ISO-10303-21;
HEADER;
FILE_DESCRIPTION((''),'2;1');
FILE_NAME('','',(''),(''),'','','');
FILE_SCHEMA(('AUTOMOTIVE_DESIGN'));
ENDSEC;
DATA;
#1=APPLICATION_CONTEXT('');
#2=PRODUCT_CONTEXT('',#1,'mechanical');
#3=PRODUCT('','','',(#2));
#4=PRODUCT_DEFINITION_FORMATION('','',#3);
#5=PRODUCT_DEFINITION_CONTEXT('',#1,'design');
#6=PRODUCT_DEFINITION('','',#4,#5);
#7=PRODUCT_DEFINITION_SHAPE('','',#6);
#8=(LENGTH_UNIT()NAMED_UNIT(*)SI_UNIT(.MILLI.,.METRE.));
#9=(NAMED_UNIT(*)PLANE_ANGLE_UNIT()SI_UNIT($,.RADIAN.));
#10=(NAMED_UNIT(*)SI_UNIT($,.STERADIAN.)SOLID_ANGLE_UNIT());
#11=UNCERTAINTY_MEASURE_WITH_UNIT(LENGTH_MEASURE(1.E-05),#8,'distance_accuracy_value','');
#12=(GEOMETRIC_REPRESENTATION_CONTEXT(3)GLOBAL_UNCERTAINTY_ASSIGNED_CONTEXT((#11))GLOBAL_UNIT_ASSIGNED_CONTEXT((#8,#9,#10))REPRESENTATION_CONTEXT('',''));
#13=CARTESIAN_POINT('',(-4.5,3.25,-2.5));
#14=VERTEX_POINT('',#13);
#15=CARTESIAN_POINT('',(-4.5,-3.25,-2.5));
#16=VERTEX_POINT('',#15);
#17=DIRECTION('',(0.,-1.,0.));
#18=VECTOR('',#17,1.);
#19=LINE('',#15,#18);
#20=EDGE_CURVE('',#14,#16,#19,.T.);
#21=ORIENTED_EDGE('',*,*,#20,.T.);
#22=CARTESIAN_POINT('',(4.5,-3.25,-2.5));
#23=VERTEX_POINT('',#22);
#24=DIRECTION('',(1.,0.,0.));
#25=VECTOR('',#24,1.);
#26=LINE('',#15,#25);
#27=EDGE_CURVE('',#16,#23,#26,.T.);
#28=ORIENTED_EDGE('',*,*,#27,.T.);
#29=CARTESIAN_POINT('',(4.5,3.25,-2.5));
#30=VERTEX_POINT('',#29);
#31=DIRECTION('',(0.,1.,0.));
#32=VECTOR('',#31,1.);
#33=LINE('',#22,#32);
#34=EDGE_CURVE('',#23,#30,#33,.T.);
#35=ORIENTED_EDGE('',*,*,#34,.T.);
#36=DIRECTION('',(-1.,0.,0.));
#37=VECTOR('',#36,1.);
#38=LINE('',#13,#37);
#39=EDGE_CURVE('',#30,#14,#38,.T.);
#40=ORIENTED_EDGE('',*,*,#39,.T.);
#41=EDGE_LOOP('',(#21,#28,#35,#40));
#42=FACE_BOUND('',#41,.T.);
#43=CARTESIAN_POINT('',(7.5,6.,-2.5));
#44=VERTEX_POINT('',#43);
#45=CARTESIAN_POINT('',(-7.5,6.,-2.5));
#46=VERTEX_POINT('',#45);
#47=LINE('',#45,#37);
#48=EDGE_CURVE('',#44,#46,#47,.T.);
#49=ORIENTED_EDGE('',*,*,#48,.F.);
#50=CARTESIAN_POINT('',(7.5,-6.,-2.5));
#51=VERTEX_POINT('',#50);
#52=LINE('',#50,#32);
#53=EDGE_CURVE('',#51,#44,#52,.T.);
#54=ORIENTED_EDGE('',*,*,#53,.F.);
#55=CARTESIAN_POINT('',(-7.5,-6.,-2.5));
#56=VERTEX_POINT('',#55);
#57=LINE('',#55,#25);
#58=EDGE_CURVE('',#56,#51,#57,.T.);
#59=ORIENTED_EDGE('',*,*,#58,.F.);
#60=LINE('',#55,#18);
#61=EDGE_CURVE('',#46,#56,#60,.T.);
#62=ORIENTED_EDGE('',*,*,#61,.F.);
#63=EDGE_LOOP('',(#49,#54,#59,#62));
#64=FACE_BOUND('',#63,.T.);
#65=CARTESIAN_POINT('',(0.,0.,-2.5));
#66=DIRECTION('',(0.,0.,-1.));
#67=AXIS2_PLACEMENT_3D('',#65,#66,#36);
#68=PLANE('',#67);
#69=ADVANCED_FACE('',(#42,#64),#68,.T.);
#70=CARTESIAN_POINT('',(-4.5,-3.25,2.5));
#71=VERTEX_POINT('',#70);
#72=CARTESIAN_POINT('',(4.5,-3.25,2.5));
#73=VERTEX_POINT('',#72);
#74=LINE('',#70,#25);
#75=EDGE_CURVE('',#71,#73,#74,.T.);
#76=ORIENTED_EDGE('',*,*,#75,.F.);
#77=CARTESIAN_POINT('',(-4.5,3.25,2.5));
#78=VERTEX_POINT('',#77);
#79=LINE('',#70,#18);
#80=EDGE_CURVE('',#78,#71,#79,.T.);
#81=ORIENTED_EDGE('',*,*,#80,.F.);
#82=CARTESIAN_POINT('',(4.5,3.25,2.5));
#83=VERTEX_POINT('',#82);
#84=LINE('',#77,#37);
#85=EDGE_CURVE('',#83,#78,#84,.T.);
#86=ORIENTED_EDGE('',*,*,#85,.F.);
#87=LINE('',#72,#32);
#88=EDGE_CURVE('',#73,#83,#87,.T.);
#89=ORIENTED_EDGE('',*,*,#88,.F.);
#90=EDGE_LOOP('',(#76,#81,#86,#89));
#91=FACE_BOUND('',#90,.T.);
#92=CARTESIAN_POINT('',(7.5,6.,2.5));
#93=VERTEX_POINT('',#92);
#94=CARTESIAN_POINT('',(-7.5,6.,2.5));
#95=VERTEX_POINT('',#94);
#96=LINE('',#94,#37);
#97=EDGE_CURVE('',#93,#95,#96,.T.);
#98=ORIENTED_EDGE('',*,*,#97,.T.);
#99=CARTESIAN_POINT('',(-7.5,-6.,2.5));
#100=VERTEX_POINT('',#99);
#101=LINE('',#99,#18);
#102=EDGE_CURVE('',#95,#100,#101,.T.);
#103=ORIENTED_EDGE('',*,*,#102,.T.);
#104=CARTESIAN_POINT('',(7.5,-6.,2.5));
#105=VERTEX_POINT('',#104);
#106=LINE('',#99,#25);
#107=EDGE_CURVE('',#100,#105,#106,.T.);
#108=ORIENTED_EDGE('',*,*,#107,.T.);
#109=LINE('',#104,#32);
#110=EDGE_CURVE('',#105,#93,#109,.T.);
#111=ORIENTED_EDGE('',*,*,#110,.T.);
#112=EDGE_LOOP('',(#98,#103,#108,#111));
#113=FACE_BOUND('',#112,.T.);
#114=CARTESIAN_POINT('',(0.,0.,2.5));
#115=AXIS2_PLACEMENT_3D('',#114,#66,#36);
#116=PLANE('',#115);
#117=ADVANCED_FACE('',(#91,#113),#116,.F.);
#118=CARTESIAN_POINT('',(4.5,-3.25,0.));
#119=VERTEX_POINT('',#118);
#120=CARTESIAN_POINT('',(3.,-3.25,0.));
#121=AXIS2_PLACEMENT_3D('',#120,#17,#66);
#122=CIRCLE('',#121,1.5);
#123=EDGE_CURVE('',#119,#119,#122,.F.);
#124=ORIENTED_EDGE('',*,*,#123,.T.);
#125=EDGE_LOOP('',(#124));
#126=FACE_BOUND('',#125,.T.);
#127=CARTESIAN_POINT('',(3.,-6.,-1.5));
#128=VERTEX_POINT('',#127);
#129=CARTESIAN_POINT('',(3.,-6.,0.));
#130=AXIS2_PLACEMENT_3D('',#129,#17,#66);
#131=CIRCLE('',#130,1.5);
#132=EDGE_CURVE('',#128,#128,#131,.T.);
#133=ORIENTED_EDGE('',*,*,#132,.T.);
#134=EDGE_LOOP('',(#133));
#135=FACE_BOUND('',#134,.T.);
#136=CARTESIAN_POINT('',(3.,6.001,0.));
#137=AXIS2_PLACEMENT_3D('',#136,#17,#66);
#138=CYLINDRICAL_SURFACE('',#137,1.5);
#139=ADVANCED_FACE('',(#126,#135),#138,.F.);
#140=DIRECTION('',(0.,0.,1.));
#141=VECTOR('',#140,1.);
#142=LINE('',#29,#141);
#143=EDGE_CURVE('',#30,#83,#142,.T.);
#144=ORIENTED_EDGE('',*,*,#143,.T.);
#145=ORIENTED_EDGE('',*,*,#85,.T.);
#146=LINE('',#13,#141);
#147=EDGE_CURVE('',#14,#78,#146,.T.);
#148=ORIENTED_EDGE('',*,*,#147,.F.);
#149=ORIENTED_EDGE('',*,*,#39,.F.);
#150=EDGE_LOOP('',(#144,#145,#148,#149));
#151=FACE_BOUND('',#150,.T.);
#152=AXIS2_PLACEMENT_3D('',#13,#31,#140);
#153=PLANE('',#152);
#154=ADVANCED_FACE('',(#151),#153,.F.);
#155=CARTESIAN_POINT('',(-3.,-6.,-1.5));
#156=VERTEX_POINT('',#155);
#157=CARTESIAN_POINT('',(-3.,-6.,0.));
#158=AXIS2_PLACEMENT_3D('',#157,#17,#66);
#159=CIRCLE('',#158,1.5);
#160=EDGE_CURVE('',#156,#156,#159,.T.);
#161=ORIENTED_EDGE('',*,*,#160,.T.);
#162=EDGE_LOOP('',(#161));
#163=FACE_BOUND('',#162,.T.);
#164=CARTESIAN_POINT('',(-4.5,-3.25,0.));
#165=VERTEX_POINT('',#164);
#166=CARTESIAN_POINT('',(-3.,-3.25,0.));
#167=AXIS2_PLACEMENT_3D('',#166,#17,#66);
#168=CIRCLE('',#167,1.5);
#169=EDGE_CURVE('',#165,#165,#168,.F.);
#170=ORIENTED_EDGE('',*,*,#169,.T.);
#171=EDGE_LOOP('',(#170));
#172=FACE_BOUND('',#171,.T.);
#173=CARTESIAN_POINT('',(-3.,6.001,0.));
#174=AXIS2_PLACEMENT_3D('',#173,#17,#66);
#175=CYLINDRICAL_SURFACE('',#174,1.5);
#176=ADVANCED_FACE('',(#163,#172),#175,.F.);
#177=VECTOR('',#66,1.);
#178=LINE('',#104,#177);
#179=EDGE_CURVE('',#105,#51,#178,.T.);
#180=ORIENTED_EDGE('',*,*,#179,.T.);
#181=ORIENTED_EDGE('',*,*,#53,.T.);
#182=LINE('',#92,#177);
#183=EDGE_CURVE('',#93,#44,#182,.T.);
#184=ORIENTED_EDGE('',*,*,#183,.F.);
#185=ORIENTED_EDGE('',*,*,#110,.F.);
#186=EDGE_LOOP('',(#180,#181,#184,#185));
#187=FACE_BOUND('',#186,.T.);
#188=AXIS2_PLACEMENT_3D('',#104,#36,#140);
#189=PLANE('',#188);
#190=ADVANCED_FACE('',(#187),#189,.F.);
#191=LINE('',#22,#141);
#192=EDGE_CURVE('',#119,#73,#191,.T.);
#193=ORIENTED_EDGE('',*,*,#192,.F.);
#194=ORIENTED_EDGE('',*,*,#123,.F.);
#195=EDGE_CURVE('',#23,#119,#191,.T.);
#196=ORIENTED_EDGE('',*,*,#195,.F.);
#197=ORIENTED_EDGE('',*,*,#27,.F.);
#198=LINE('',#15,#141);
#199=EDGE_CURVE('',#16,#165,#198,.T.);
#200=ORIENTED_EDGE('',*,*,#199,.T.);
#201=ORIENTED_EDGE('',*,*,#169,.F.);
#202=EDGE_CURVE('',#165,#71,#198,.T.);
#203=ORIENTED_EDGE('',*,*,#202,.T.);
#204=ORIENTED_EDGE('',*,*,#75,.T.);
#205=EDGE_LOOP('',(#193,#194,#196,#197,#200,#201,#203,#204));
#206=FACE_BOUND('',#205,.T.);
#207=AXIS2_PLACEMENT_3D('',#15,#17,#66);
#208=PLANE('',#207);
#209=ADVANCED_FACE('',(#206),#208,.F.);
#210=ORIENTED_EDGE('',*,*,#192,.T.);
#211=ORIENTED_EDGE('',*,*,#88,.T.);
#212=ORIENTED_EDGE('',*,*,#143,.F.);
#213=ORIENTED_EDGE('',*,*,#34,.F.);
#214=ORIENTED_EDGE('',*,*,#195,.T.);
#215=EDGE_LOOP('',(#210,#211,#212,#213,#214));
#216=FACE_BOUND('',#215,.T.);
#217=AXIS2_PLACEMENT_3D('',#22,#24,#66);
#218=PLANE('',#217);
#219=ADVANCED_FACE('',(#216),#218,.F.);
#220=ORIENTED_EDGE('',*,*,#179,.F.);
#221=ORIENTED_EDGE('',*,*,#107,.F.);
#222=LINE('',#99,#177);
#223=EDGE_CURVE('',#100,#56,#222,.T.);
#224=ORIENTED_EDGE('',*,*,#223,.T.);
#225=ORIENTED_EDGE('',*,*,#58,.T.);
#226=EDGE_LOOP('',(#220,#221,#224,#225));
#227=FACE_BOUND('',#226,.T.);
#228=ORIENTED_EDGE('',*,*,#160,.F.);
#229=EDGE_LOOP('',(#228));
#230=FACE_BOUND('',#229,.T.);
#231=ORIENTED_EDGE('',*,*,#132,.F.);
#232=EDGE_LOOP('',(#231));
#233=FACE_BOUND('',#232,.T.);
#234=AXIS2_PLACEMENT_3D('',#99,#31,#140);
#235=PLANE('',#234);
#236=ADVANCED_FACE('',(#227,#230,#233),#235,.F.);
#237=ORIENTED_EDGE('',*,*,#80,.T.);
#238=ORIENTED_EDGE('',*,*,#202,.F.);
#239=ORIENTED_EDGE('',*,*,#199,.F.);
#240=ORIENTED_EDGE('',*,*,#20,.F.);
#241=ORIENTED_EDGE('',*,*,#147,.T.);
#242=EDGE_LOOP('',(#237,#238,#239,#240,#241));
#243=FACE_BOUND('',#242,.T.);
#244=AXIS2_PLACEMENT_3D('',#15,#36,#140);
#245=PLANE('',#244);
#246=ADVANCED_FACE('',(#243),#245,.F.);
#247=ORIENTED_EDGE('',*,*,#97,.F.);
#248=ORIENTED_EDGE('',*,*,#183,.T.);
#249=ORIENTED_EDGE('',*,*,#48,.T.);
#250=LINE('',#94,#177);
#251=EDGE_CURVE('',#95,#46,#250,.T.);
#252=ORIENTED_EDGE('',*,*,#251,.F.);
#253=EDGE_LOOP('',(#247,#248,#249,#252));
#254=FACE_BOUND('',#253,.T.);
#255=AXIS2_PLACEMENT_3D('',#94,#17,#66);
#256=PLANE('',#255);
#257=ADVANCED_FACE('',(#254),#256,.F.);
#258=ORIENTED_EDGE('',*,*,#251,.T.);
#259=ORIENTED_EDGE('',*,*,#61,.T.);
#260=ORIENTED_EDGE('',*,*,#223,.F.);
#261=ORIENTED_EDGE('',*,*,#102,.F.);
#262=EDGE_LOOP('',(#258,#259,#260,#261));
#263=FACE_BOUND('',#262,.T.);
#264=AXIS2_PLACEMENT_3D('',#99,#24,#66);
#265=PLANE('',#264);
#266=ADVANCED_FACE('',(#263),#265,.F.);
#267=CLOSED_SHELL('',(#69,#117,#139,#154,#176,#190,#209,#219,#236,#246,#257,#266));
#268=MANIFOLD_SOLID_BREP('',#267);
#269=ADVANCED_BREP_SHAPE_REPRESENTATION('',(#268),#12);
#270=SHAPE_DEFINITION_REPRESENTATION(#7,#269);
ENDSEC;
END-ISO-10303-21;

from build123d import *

# Parameters (mm, degrees)
SKETCH_1_W          = 15
SKETCH_1_H          = 12
EXTRUDE_1_DEPTH     = 2.5
SKETCH_2_W          = 9
SKETCH_2_H          = 6.5
CUT_EXTRUDE_1_DEPTH = 6
CUT_EXTRUDE_2_REACH = 14
SKETCH_3_R          = 1.5


with BuildPart() as part:
    # 草圖1 → 填料-伸長1 (new body, symmetric)
    with BuildSketch(Plane.XY):
        Rectangle(SKETCH_1_W, SKETCH_1_H)
    extrude(amount=EXTRUDE_1_DEPTH, both=True)

    # 草圖2 → 除料-伸長1 (cut, through all)
    with BuildSketch(Plane.XY.offset(2.5)):
        Rectangle(SKETCH_2_W, SKETCH_2_H)
    extrude(amount=-CUT_EXTRUDE_1_DEPTH, mode=Mode.SUBTRACT)

    # 草圖3 → 除料-伸長2 (cut, up to next)
    with BuildSketch(Plane.XZ.offset(6), mode=Mode.PRIVATE) as cut_extrude_2_sk1:
        with Locations((-3, 0)):
            Circle(SKETCH_3_R)
    cut_extrude_2_tool1 = extrude(cut_extrude_2_sk1.sketch, amount=-CUT_EXTRUDE_2_REACH, mode=Mode.PRIVATE) & part.part
    add(cut_extrude_2_tool1.solids().sort_by_distance((-3, -6, 0))[0], mode=Mode.SUBTRACT)
    # 草圖3 → 除料-伸長2 (cut, up to next)
    with BuildSketch(Plane.XZ.offset(6), mode=Mode.PRIVATE) as cut_extrude_2_sk2:
        with Locations((3, 0)):
            Circle(SKETCH_3_R)
    cut_extrude_2_tool2 = extrude(cut_extrude_2_sk2.sketch, amount=-CUT_EXTRUDE_2_REACH, mode=Mode.PRIVATE) & part.part
    add(cut_extrude_2_tool2.solids().sort_by_distance((3, -6, 0))[0], mode=Mode.SUBTRACT)


solid = part.part
